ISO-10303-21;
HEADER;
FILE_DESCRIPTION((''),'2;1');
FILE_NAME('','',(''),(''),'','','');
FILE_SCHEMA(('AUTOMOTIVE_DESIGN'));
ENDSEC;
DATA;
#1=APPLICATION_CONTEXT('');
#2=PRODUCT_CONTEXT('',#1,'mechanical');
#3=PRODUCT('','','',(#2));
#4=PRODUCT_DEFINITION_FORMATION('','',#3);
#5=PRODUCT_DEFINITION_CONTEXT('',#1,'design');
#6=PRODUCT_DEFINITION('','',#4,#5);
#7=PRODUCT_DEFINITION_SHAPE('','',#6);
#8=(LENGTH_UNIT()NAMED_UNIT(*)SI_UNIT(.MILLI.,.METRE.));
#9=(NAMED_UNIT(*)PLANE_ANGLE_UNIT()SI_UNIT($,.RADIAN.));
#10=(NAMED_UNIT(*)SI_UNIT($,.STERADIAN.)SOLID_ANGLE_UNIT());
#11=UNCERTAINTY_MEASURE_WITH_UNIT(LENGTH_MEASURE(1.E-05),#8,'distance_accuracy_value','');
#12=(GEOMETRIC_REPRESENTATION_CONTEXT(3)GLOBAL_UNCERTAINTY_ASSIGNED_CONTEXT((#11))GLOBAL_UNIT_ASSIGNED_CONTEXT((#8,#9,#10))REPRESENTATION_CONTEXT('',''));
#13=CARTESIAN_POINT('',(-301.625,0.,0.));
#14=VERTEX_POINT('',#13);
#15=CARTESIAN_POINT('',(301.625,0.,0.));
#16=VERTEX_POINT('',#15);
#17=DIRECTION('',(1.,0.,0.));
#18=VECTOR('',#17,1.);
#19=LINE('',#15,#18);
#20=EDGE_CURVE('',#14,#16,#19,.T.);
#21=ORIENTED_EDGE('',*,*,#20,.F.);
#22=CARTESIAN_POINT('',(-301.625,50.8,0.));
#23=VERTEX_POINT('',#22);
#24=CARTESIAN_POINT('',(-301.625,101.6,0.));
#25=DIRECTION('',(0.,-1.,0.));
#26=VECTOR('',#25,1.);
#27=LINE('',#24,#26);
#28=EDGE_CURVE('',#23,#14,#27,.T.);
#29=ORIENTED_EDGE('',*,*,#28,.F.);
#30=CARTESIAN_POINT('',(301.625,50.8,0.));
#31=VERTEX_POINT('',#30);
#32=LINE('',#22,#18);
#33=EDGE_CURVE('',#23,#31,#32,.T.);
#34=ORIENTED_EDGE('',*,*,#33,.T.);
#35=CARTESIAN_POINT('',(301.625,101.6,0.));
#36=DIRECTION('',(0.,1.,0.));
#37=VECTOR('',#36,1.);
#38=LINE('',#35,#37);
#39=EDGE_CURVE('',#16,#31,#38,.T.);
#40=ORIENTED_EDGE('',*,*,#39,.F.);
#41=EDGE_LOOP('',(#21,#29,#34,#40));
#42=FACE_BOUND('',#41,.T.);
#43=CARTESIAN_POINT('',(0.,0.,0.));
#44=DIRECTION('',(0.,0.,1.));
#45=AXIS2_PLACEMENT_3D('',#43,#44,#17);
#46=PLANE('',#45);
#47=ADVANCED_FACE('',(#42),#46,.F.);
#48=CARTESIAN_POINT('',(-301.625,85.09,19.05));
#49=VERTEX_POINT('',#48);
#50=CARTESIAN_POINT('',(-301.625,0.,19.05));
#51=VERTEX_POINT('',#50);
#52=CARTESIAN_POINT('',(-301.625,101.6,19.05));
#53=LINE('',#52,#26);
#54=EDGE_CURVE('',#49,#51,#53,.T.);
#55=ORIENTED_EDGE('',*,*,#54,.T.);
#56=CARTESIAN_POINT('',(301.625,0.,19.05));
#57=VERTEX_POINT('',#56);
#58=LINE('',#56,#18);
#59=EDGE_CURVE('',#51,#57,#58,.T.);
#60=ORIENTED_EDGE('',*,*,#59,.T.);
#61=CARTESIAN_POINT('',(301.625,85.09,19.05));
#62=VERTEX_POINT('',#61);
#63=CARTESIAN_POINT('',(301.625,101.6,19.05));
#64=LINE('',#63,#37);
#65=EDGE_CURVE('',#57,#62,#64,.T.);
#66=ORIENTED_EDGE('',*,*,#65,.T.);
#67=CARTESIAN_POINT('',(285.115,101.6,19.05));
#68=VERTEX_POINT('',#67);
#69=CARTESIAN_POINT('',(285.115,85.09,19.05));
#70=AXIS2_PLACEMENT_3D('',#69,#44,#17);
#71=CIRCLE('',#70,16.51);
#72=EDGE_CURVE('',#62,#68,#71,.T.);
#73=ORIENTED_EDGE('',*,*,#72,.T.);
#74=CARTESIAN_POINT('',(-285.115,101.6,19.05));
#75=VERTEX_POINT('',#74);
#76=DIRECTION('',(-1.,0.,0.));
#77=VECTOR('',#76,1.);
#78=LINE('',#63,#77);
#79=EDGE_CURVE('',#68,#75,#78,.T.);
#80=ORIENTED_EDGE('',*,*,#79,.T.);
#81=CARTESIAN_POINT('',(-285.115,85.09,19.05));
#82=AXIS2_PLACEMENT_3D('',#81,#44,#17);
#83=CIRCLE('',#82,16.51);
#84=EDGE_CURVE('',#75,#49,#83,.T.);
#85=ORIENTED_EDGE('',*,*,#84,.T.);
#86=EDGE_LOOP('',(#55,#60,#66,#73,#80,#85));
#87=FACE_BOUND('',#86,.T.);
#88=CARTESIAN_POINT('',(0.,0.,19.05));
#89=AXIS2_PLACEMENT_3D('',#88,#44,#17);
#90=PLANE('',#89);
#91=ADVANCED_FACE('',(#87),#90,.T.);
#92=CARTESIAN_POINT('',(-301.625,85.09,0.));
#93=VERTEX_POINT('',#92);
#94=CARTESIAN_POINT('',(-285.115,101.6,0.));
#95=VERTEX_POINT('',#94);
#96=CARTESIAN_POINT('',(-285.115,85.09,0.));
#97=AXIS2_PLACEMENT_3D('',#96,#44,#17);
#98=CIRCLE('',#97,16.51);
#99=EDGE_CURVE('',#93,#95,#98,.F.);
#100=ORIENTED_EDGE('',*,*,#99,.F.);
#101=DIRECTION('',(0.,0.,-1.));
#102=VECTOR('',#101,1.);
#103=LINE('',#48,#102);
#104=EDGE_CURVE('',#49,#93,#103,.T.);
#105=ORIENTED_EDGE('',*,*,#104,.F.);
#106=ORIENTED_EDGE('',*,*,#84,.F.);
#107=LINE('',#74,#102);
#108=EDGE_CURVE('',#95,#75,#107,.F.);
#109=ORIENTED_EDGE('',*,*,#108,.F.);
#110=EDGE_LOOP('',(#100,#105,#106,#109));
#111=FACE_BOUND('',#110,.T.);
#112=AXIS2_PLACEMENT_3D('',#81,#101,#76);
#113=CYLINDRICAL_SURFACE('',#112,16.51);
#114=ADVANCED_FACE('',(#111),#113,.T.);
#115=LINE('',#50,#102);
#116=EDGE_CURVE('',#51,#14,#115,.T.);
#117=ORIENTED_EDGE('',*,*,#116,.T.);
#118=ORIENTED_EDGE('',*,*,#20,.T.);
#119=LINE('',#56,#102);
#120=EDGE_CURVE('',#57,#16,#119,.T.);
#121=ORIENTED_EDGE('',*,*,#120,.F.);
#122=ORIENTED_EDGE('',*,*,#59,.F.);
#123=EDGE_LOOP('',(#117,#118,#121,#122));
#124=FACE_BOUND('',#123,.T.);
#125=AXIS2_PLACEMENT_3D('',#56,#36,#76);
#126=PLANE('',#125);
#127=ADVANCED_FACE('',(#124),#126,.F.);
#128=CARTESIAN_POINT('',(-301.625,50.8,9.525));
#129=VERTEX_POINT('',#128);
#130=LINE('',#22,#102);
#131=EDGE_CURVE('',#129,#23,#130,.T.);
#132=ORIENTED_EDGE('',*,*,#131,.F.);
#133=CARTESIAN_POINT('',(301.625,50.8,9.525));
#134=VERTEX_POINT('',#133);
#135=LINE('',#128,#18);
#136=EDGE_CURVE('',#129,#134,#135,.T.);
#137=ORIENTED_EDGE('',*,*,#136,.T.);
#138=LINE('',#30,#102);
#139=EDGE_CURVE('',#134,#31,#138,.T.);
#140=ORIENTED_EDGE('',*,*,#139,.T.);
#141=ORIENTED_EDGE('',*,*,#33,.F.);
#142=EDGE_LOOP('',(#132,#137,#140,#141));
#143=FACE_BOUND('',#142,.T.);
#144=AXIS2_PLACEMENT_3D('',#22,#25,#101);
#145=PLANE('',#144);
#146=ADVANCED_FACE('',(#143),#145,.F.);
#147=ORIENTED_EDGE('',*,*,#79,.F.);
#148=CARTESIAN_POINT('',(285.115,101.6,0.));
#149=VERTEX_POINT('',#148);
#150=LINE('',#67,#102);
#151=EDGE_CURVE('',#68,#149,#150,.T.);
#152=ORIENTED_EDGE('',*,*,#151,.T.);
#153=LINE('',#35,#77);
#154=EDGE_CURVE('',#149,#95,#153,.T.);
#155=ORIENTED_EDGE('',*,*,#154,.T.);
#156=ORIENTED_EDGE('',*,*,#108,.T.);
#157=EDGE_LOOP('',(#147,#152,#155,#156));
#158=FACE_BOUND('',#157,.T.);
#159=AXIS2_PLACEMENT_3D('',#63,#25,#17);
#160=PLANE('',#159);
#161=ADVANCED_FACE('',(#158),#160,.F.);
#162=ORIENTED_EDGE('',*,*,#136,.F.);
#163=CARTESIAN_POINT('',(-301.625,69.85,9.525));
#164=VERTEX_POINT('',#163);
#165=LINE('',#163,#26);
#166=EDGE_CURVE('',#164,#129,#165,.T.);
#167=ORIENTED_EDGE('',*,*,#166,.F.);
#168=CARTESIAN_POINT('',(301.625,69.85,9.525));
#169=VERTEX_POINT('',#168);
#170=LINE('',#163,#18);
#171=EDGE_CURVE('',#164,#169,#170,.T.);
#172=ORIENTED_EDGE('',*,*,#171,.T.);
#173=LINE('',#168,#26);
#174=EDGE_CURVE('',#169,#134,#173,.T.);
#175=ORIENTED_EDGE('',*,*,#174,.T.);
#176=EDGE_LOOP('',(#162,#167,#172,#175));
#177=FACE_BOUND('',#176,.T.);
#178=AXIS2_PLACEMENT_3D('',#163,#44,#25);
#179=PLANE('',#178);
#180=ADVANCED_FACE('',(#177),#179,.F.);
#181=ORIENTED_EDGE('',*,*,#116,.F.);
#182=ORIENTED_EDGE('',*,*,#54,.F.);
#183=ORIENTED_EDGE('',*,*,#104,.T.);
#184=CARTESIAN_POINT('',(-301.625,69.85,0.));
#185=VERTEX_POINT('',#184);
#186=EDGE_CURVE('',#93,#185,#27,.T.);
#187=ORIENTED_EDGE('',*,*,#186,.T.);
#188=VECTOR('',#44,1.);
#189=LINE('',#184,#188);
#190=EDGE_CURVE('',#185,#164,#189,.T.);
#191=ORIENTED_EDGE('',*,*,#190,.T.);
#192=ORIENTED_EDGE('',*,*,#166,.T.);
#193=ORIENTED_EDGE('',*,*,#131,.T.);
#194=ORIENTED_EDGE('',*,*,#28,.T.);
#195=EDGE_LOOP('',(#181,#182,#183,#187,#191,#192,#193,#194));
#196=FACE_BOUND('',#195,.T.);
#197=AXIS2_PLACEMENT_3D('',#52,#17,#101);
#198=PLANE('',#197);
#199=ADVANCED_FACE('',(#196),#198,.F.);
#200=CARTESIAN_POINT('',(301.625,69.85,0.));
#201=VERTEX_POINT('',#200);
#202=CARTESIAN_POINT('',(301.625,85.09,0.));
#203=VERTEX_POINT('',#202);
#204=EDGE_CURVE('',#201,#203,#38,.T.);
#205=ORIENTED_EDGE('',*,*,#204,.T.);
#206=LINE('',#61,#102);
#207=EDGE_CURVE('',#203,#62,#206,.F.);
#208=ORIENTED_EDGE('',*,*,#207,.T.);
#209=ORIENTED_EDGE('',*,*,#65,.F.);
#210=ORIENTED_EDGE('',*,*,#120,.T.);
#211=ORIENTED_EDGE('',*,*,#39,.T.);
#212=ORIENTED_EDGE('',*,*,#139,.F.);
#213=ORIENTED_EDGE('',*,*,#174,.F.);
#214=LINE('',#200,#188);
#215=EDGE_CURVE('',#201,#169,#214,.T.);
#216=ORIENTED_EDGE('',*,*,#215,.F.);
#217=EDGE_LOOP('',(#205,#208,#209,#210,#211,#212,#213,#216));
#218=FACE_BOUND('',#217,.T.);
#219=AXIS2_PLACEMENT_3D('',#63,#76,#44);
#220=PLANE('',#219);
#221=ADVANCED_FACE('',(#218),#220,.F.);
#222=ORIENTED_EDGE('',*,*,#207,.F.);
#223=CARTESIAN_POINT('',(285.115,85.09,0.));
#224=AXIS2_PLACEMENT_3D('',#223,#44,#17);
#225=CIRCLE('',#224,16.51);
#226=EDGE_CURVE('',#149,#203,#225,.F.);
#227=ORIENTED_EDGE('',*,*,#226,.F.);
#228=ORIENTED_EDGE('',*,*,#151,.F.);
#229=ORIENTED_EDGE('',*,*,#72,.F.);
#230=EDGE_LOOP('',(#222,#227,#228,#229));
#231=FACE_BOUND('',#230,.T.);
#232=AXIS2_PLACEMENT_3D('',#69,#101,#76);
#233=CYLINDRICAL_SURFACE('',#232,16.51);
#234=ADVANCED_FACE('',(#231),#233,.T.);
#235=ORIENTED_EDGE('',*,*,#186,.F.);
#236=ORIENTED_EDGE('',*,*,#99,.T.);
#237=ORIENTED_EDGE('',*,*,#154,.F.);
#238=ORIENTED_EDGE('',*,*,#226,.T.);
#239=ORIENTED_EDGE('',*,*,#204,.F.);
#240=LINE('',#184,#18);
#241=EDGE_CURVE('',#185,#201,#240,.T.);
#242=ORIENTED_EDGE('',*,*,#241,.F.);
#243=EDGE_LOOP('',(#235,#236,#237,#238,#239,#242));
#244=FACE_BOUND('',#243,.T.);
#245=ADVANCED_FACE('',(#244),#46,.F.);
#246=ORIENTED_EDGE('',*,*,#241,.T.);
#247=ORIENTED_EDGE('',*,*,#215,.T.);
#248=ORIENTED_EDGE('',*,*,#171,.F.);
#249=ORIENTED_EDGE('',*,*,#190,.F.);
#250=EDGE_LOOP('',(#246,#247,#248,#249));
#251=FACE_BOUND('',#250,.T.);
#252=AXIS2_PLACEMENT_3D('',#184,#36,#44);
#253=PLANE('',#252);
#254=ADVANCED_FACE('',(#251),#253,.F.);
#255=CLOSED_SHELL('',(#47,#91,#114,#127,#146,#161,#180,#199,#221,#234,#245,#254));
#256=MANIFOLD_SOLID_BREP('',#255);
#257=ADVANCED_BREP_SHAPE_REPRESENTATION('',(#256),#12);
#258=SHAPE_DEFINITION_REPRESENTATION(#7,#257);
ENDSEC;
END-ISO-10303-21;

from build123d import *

# Parameters (mm, degrees)
SKETCH1_W           = 603.25
SKETCH1_H           = 101.6
BOSS_EXTRUDE1_DEPTH = 19.05
SKETCH2_W           = 9.525
SKETCH2_H           = 19.05
CUT_EXTRUDE1_DEPTH  = 613.042502609
FILLET1_R           = 16.51


with BuildPart() as part:
    # Sketch1 → Boss-Extrude1 (new body)
    with BuildSketch(Plane.XY):
        with Locations((0, 50.8)):
            Rectangle(SKETCH1_W, SKETCH1_H)
    extrude(amount=BOSS_EXTRUDE1_DEPTH)

    # Sketch2 → Cut-Extrude1 (cut, through all)
    with BuildSketch(Plane(origin=(301.625, 0, 0), x_dir=(0, 0, -1), z_dir=(1, 0, 0))):
        with Locations((-4.7625, 60.325)):
            Rectangle(SKETCH2_W, SKETCH2_H)
    extrude(amount=-CUT_EXTRUDE1_DEPTH, mode=Mode.SUBTRACT)

    # Fillet1
    fillet1_edges = [part.edges().sort_by_distance(p)[0] for p in [
        (301.625, 101.6, 9.525),
        (-301.625, 101.6, 9.525),
    ]]
    fillet(fillet1_edges, radius=FILLET1_R)


solid = part.part
